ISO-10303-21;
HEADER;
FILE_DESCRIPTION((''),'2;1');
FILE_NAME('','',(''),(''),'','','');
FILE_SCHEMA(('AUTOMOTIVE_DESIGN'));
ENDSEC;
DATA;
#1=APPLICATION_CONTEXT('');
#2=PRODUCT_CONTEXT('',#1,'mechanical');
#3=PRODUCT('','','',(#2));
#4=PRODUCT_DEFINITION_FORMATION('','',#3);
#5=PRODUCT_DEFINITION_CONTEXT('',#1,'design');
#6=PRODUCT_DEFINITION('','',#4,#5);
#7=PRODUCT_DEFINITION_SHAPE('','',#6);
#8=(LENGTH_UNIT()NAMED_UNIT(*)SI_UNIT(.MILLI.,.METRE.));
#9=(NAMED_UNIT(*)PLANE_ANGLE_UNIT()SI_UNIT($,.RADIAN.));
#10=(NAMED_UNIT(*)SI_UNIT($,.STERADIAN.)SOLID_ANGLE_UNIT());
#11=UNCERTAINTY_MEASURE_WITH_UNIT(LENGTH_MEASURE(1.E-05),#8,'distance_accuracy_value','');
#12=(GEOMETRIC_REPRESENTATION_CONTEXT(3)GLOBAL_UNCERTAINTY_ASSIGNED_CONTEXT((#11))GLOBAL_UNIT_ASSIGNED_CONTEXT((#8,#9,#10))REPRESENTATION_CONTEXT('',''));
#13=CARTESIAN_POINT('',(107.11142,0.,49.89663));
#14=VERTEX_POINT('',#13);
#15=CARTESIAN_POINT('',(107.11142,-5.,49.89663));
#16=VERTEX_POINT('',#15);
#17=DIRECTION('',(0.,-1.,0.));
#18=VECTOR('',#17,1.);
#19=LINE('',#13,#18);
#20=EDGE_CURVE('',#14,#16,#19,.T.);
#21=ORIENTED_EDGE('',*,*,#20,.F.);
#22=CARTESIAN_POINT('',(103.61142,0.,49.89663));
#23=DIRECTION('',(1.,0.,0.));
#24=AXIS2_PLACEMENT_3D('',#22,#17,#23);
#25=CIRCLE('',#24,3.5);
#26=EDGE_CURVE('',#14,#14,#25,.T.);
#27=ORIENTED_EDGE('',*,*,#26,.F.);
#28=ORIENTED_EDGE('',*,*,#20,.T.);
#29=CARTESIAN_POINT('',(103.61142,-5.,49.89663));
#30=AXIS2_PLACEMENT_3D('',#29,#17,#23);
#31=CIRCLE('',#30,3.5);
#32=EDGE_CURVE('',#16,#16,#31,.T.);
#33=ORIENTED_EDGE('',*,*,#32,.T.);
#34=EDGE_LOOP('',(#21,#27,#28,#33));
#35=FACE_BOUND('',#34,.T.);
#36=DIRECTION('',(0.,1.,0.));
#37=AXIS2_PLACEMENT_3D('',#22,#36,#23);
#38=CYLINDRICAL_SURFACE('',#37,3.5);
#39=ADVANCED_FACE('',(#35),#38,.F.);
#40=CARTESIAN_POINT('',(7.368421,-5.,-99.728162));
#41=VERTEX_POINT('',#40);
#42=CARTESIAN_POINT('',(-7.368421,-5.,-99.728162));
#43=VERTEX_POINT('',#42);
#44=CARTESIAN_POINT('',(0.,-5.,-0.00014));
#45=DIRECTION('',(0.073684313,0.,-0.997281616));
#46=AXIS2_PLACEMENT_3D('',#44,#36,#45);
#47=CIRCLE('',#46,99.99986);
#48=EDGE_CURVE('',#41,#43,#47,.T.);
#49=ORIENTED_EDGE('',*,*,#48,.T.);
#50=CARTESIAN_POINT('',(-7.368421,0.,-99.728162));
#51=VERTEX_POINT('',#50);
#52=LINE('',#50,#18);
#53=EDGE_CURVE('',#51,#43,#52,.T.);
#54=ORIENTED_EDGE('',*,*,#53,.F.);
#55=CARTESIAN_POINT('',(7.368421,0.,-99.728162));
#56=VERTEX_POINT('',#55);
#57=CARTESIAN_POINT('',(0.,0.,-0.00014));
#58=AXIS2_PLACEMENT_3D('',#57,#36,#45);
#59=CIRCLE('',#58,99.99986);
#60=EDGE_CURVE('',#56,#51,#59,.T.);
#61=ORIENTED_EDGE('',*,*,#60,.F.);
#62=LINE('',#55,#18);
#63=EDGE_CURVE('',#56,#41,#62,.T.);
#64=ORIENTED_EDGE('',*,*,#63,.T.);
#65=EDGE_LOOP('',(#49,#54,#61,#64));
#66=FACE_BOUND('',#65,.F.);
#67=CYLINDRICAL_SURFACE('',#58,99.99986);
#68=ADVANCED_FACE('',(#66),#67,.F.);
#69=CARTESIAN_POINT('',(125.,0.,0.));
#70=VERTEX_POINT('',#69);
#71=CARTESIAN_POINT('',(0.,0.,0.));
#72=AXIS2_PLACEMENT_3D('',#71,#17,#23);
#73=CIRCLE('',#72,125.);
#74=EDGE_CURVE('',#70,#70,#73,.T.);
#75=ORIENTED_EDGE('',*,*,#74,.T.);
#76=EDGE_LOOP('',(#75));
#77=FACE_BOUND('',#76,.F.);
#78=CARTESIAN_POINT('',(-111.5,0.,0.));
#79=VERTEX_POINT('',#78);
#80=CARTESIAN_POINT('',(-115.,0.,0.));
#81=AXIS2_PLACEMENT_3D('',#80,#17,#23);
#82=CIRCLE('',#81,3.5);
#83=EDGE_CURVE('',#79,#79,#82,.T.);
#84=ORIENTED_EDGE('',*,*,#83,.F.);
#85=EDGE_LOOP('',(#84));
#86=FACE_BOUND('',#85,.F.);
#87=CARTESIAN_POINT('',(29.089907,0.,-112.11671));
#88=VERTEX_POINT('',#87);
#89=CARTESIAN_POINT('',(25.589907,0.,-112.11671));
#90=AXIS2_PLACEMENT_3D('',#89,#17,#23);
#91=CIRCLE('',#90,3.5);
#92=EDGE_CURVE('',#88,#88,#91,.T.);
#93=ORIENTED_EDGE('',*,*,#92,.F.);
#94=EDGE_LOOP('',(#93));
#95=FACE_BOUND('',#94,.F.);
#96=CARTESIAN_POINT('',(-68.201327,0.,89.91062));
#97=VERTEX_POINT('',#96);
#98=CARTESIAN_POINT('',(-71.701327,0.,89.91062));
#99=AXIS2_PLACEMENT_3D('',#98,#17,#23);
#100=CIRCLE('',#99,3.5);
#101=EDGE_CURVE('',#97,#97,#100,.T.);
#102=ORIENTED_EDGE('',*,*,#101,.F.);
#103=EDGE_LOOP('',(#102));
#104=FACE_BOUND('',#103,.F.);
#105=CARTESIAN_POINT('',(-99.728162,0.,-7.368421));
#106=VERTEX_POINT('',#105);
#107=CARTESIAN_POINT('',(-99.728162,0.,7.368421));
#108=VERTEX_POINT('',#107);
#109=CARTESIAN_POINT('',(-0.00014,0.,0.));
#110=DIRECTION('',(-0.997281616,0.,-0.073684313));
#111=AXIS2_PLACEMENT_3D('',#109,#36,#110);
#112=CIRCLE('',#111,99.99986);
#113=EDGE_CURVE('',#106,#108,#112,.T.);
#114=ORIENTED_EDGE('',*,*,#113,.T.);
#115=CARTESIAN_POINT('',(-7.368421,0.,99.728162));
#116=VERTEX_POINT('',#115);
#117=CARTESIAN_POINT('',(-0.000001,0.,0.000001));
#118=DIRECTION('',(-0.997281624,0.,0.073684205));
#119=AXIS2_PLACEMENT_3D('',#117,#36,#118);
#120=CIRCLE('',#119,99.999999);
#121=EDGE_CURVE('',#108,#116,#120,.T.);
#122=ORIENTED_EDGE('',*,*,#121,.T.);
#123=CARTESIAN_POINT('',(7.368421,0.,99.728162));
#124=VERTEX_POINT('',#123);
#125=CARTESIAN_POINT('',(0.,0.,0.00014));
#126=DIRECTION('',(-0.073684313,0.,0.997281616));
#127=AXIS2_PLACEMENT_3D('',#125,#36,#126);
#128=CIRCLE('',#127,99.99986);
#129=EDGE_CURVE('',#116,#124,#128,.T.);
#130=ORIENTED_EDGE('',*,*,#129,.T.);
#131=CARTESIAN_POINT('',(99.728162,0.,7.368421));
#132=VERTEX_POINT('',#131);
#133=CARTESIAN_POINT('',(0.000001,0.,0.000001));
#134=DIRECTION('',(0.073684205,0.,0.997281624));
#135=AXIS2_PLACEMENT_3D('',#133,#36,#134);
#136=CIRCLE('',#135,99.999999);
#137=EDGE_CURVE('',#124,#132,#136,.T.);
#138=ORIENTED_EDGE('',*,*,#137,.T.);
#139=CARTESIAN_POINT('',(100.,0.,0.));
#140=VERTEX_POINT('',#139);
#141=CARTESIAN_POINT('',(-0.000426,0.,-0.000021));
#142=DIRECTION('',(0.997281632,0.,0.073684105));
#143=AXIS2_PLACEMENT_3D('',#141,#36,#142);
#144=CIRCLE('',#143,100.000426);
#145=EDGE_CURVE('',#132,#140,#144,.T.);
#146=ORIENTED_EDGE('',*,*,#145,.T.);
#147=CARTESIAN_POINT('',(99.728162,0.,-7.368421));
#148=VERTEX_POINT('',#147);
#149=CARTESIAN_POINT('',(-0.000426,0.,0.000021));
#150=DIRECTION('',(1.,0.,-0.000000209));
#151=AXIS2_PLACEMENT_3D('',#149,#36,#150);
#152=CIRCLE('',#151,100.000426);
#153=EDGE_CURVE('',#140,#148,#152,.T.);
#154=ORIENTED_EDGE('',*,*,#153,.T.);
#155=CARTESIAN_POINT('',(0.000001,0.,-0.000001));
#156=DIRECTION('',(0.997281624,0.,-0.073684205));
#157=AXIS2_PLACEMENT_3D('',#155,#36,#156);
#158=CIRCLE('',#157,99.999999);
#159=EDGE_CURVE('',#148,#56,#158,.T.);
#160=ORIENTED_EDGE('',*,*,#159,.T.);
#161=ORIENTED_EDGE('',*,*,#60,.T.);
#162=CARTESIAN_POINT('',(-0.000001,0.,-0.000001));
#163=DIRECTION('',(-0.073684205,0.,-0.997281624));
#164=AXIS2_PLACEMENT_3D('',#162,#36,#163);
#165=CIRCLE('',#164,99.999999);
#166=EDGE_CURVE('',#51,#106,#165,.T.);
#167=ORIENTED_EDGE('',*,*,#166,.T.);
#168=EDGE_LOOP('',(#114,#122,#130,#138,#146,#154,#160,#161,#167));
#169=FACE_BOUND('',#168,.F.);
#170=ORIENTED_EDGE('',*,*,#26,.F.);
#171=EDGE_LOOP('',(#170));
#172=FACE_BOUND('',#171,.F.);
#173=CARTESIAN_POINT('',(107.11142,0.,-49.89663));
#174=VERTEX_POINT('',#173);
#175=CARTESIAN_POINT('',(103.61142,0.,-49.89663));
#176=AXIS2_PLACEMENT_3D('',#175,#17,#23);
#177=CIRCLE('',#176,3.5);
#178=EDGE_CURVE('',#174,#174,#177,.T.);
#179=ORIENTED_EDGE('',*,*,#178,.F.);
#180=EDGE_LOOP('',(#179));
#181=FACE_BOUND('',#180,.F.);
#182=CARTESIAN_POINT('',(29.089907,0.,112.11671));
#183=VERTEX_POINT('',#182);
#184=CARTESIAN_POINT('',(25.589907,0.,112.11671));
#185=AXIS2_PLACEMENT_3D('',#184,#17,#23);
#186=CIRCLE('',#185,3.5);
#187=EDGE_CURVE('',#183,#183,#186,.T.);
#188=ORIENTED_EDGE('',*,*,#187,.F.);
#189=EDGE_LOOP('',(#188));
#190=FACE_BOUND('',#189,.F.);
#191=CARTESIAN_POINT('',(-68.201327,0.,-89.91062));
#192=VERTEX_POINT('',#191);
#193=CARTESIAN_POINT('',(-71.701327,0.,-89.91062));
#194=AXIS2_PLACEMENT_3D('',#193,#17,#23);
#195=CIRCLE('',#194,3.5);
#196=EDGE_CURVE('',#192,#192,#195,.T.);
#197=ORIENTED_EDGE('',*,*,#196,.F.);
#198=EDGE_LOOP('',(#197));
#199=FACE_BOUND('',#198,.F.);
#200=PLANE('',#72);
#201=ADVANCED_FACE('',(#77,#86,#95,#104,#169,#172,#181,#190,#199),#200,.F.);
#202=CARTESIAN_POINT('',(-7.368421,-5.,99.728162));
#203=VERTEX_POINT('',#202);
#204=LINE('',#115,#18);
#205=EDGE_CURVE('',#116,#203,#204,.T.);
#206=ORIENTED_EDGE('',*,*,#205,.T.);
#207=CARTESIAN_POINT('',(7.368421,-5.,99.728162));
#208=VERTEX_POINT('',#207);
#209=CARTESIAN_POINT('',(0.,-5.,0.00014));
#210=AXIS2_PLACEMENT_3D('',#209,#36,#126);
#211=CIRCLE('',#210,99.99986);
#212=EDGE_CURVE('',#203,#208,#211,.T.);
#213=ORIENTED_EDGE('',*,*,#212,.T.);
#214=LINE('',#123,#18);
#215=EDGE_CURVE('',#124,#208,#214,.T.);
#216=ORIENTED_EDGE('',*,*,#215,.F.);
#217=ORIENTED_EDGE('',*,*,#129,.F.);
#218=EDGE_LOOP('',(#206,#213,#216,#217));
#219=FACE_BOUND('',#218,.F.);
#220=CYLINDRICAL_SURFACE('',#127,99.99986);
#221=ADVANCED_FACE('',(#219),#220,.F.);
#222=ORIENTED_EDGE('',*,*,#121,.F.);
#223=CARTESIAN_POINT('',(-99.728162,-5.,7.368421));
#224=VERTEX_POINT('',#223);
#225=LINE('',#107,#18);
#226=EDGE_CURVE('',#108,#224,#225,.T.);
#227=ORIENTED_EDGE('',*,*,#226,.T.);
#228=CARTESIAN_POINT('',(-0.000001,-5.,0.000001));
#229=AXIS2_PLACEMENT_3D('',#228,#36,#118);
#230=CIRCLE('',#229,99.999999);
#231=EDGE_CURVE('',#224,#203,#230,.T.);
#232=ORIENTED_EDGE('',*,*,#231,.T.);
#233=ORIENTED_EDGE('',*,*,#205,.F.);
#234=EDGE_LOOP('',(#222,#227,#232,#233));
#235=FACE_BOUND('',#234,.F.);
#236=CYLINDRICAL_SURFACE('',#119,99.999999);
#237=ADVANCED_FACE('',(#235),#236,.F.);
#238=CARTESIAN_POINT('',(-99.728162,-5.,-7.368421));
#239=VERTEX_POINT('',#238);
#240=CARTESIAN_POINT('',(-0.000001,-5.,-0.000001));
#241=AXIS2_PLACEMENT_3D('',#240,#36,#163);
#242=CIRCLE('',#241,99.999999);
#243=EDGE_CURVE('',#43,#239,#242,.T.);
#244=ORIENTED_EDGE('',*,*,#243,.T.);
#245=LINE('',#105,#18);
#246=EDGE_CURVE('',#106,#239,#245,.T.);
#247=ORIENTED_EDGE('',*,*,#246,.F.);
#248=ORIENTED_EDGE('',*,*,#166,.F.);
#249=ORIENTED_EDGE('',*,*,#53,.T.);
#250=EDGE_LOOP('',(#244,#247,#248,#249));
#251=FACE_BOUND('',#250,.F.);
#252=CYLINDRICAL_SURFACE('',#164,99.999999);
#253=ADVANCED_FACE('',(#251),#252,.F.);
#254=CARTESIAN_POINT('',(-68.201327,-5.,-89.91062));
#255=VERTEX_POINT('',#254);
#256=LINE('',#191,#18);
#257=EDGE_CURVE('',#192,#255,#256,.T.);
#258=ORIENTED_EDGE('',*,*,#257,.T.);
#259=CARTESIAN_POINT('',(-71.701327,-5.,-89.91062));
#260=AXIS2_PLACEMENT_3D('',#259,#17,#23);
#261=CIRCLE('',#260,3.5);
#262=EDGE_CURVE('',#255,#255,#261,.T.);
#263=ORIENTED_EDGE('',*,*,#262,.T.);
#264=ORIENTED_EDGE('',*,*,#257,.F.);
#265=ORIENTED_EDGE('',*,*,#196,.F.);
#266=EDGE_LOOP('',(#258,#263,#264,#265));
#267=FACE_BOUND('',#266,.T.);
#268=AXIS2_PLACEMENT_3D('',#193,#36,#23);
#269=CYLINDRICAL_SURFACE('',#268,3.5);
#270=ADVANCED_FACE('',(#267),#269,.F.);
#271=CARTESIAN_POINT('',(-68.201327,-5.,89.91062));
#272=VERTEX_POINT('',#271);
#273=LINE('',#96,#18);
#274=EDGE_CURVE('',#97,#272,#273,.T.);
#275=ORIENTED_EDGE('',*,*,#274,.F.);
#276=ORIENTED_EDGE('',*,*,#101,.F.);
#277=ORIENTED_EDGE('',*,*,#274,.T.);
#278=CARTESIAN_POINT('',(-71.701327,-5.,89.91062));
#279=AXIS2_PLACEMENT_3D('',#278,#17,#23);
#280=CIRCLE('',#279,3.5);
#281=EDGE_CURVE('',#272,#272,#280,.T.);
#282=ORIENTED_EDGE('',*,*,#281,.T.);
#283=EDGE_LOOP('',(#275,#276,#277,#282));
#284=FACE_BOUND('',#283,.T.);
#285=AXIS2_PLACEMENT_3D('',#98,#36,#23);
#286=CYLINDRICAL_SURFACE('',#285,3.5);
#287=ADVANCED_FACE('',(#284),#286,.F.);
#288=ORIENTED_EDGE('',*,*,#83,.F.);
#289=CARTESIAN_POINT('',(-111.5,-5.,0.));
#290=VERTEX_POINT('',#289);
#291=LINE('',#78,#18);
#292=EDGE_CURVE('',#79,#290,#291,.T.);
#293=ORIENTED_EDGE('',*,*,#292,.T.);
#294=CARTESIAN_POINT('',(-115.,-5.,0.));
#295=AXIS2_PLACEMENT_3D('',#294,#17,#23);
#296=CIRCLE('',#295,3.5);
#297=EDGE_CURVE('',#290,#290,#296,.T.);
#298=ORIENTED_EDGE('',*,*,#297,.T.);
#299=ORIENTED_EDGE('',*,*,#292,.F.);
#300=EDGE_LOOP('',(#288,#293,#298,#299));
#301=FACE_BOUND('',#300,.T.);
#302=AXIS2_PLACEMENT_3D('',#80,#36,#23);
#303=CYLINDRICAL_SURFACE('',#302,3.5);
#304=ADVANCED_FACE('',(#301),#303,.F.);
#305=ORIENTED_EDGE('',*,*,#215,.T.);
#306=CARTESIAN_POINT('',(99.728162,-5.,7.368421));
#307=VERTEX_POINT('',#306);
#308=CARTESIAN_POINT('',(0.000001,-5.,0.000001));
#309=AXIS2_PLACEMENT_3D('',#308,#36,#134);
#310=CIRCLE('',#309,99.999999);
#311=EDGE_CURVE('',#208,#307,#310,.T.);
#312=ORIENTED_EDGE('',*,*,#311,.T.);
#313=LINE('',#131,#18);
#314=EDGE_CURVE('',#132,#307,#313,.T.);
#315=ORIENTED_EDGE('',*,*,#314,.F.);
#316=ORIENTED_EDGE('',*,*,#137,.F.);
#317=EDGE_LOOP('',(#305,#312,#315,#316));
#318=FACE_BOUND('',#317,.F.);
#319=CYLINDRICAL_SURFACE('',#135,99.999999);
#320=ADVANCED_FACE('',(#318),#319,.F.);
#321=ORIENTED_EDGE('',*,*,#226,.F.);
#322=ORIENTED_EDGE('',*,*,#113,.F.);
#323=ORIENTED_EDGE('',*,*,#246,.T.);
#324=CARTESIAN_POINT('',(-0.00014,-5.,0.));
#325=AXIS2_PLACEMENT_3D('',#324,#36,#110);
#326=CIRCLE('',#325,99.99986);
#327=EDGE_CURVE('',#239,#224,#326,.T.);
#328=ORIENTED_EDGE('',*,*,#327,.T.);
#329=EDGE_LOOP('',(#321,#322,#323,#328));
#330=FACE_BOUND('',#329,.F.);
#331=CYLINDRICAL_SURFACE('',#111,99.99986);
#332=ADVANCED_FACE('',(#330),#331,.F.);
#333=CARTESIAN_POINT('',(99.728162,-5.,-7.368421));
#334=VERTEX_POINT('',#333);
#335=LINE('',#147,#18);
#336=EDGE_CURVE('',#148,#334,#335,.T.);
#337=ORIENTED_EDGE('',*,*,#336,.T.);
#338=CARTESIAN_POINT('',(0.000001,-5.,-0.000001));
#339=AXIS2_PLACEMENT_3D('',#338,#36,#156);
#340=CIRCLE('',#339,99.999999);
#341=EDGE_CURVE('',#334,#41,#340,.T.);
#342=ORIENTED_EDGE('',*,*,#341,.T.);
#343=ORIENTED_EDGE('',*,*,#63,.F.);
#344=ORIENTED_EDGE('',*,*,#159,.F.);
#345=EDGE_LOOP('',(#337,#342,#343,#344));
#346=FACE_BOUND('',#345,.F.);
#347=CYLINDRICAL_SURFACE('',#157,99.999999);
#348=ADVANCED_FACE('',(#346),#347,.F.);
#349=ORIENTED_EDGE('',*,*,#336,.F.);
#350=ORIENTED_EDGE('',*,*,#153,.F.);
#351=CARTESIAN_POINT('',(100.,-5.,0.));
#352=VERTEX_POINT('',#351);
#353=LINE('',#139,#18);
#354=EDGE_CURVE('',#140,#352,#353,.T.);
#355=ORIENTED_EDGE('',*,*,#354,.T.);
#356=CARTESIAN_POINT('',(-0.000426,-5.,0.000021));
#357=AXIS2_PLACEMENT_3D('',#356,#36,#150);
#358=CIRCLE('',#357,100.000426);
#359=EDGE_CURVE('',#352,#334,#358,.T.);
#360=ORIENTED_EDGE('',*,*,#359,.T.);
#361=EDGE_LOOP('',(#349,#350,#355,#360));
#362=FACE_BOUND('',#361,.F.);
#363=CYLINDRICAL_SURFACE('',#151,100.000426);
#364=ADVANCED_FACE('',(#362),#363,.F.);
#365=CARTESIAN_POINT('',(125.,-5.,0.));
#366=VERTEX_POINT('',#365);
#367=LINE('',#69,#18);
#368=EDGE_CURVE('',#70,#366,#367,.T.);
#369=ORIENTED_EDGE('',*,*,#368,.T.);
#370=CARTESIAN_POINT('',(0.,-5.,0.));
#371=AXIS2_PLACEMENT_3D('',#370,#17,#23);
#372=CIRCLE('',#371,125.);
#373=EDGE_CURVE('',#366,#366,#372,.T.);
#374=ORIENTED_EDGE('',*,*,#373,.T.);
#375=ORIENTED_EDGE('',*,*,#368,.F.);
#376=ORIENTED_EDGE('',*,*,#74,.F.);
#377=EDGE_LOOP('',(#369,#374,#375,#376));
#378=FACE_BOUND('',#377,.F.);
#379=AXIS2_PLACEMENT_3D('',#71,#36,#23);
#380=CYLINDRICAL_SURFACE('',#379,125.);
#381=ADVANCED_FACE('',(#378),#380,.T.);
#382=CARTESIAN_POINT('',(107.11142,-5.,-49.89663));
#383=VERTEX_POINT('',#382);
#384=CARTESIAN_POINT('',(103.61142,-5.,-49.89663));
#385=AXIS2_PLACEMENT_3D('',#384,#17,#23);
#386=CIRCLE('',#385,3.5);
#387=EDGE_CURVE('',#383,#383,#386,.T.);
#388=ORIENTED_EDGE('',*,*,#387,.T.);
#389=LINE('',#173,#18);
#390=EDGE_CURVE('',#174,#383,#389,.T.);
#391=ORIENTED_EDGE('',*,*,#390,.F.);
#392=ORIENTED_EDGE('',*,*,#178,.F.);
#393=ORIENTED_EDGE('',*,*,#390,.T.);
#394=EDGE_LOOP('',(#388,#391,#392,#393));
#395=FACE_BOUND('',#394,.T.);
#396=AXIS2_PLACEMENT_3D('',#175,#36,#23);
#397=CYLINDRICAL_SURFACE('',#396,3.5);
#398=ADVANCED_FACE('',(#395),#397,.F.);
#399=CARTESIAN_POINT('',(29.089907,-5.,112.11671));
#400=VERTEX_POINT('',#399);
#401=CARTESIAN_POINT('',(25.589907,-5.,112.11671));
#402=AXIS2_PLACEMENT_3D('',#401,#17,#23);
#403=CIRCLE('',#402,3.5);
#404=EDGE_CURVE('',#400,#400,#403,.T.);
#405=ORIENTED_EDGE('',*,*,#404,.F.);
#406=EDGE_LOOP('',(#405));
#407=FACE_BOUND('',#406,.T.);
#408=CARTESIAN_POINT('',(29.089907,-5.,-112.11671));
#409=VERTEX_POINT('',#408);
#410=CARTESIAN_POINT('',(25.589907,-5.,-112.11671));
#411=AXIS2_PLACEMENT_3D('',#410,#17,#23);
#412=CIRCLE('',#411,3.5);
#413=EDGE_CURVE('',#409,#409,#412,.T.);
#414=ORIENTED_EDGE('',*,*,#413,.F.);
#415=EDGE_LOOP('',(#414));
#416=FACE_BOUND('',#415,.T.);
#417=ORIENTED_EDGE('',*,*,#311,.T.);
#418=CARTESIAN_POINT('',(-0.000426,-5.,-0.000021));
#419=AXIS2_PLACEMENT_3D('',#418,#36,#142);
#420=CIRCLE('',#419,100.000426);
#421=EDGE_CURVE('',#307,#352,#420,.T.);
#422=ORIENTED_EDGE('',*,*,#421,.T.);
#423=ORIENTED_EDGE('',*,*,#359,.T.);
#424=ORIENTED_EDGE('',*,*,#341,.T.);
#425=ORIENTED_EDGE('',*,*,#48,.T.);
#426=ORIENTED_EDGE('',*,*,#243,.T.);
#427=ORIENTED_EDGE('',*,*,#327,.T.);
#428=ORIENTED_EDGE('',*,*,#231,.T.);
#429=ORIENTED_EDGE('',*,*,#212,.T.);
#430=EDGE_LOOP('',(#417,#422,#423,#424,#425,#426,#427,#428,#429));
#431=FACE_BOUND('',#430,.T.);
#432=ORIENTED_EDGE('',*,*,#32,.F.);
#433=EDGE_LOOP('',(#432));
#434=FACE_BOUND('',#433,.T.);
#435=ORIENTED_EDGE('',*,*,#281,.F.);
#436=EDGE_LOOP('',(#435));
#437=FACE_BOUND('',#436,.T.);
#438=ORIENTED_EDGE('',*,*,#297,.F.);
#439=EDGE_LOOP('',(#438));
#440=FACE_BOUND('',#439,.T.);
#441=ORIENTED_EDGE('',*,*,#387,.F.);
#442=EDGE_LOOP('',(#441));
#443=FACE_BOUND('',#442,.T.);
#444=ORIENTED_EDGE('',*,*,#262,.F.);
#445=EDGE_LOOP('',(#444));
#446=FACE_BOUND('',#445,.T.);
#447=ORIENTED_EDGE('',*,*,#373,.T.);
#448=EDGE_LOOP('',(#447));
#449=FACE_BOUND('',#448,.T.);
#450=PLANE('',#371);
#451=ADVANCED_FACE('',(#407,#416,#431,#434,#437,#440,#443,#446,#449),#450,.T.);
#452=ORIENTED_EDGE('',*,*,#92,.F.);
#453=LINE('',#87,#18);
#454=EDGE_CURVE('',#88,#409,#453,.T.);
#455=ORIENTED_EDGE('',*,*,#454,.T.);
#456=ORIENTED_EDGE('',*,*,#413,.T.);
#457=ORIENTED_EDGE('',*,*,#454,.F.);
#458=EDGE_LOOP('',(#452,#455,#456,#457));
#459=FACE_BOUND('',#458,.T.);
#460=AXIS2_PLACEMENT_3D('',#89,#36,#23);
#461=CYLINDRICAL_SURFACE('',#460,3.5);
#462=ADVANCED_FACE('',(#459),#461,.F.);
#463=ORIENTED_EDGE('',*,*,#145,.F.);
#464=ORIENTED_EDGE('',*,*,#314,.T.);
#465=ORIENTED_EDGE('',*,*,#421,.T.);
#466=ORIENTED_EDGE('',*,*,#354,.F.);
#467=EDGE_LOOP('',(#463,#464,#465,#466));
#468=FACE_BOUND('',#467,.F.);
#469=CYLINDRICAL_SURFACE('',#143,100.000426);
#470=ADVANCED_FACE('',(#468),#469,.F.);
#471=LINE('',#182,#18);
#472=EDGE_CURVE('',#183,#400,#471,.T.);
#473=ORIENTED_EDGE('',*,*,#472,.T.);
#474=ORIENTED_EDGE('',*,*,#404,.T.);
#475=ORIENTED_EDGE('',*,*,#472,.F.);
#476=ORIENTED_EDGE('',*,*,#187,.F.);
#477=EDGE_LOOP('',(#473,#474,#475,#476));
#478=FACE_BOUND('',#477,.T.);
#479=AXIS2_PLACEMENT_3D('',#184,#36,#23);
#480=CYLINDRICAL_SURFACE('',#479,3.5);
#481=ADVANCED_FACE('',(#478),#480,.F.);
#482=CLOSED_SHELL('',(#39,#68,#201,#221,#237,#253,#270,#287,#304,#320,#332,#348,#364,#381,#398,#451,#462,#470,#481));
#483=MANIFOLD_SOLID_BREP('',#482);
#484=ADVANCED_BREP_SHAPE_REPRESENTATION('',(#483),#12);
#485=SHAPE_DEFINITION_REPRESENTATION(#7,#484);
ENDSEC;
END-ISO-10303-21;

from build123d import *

# Parameters (mm, degrees)
F0_R     = 125
F0_R_2   = 3.5
F1_DEPTH = 5


with BuildPart() as f1:
    # F0 (on Front) → F1 (new body)
    with BuildSketch(Plane.XZ):
        Circle(F0_R)
        with Locations((-71.701327, -89.91062)):
            Circle(F0_R_2, mode=Mode.SUBTRACT)
        with Locations((25.589907, -112.11671)):
            Circle(F0_R_2, mode=Mode.SUBTRACT)
        with Locations((103.61142, -49.89663)):
            Circle(F0_R_2, mode=Mode.SUBTRACT)
        with Locations((-115, 0)):
            Circle(F0_R_2, mode=Mode.SUBTRACT)
        with Locations((-71.701327, 89.91062)):
            Circle(F0_R_2, mode=Mode.SUBTRACT)
        with BuildLine():
            ThreePointArc((-99.728162, 7.368421), (-70.710678, 70.710678), (-7.368421, 99.728162))
            ThreePointArc((-7.368421, 99.728162), (0, 100), (7.368421, 99.728162))
            ThreePointArc((7.368421, 99.728162), (70.710678, 70.710678), (99.728162, 7.368421))
            ThreePointArc((99.728162, 7.368421), (99.932017, 3.686717), (100, 0))
            ThreePointArc((100, 0), (99.932017, -3.686717), (99.728162, -7.368421))
            ThreePointArc((99.728162, -7.368421), (70.710678, -70.710678), (7.368421, -99.728162))
            ThreePointArc((7.368421, -99.728162), (0, -100), (-7.368421, -99.728162))
            ThreePointArc((-7.368421, -99.728162), (-70.710678, -70.710678), (-99.728162, -7.368421))
            ThreePointArc((-99.728162, -7.368421), (-100, 0), (-99.728162, 7.368421))
        make_face(mode=Mode.SUBTRACT)
        with Locations((103.61142, 49.89663)):
            Circle(F0_R_2, mode=Mode.SUBTRACT)
        with Locations((25.589907, 112.11671)):
            Circle(F0_R_2, mode=Mode.SUBTRACT)
    extrude(amount=F1_DEPTH)


solid = f1.part
